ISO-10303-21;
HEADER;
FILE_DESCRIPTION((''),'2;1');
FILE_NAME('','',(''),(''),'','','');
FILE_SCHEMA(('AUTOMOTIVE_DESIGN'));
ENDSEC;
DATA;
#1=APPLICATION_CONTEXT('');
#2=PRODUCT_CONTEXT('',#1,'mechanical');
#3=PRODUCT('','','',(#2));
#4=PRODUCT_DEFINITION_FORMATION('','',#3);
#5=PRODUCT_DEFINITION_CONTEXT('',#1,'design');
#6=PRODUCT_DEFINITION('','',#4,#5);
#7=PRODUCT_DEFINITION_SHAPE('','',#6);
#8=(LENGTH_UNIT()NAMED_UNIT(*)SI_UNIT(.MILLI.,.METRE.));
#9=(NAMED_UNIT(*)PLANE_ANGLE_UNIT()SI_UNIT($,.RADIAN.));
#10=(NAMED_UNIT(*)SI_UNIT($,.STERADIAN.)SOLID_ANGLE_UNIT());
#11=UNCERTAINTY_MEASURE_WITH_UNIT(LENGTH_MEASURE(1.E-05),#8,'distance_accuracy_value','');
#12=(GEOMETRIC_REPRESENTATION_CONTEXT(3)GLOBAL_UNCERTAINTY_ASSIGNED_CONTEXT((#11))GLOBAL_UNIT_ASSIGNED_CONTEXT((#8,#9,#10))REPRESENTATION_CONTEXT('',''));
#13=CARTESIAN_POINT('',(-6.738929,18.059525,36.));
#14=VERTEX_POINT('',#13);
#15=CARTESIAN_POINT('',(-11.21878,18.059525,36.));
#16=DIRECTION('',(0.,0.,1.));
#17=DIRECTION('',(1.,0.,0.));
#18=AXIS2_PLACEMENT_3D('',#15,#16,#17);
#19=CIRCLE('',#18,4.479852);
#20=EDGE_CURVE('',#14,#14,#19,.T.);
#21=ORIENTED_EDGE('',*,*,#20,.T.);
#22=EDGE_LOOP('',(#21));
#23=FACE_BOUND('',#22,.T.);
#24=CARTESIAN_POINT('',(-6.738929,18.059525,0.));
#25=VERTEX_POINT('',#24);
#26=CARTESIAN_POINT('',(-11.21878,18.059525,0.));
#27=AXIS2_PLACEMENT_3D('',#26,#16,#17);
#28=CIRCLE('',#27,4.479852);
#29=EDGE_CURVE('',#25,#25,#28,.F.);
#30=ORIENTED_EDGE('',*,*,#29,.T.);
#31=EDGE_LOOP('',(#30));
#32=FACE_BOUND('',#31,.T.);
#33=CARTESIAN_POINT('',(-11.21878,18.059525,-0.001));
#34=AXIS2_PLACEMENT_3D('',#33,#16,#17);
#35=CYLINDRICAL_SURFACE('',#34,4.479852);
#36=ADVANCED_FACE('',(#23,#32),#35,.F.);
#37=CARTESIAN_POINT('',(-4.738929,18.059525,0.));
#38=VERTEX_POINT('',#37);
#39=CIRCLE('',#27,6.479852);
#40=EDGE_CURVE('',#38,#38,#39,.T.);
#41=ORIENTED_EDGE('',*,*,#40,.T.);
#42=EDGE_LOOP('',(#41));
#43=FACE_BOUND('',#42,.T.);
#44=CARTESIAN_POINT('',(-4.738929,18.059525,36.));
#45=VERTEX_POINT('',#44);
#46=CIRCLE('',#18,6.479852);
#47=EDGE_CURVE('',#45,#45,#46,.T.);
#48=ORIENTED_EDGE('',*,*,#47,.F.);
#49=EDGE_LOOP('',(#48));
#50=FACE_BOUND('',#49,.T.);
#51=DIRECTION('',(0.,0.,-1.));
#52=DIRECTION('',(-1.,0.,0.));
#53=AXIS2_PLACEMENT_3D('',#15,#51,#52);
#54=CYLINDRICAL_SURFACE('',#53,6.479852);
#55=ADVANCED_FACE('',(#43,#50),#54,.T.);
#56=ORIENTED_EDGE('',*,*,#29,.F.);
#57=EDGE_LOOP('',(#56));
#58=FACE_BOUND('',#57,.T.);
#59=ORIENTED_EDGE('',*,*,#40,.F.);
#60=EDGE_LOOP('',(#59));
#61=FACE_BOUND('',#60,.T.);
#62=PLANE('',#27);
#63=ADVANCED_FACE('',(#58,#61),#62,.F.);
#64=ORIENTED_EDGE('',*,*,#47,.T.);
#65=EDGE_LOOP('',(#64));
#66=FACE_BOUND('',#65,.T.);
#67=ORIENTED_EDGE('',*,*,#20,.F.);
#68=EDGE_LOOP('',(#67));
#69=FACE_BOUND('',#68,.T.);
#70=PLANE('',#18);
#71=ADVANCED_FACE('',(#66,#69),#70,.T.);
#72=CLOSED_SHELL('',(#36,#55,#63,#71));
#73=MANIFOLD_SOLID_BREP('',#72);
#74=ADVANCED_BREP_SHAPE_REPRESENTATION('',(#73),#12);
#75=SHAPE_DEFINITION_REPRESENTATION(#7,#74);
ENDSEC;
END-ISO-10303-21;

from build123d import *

# Parameters (mm, degrees)
SKETCH_1_R          = 6.479851608
EXTRUDE_1_DEPTH     = 36
CUT_EXTRUDE_1_REACH = 38
SKETCH_2_R          = 4.479851608


with BuildPart() as part:
    # 草图1 → 凸台-拉伸1 (new body)
    with BuildSketch(Plane.XY):
        with Locations((-11.218780453, 18.059525174)):
            Circle(SKETCH_1_R)
    extrude(amount=EXTRUDE_1_DEPTH)

    # 草图2 → 切除-拉伸1 (cut, up to next)
    with BuildSketch(Plane.XY.offset(36), mode=Mode.PRIVATE) as cut_extrude_1_sk1:
        with Locations((-11.218780453, 18.059525174)):
            Circle(SKETCH_2_R)
    cut_extrude_1_tool1 = extrude(cut_extrude_1_sk1.sketch, amount=-CUT_EXTRUDE_1_REACH, mode=Mode.PRIVATE) & part.part
    add(cut_extrude_1_tool1.solids().sort_by_distance((-11.21878, 18.059525, 36))[0], mode=Mode.SUBTRACT)


solid = part.part
